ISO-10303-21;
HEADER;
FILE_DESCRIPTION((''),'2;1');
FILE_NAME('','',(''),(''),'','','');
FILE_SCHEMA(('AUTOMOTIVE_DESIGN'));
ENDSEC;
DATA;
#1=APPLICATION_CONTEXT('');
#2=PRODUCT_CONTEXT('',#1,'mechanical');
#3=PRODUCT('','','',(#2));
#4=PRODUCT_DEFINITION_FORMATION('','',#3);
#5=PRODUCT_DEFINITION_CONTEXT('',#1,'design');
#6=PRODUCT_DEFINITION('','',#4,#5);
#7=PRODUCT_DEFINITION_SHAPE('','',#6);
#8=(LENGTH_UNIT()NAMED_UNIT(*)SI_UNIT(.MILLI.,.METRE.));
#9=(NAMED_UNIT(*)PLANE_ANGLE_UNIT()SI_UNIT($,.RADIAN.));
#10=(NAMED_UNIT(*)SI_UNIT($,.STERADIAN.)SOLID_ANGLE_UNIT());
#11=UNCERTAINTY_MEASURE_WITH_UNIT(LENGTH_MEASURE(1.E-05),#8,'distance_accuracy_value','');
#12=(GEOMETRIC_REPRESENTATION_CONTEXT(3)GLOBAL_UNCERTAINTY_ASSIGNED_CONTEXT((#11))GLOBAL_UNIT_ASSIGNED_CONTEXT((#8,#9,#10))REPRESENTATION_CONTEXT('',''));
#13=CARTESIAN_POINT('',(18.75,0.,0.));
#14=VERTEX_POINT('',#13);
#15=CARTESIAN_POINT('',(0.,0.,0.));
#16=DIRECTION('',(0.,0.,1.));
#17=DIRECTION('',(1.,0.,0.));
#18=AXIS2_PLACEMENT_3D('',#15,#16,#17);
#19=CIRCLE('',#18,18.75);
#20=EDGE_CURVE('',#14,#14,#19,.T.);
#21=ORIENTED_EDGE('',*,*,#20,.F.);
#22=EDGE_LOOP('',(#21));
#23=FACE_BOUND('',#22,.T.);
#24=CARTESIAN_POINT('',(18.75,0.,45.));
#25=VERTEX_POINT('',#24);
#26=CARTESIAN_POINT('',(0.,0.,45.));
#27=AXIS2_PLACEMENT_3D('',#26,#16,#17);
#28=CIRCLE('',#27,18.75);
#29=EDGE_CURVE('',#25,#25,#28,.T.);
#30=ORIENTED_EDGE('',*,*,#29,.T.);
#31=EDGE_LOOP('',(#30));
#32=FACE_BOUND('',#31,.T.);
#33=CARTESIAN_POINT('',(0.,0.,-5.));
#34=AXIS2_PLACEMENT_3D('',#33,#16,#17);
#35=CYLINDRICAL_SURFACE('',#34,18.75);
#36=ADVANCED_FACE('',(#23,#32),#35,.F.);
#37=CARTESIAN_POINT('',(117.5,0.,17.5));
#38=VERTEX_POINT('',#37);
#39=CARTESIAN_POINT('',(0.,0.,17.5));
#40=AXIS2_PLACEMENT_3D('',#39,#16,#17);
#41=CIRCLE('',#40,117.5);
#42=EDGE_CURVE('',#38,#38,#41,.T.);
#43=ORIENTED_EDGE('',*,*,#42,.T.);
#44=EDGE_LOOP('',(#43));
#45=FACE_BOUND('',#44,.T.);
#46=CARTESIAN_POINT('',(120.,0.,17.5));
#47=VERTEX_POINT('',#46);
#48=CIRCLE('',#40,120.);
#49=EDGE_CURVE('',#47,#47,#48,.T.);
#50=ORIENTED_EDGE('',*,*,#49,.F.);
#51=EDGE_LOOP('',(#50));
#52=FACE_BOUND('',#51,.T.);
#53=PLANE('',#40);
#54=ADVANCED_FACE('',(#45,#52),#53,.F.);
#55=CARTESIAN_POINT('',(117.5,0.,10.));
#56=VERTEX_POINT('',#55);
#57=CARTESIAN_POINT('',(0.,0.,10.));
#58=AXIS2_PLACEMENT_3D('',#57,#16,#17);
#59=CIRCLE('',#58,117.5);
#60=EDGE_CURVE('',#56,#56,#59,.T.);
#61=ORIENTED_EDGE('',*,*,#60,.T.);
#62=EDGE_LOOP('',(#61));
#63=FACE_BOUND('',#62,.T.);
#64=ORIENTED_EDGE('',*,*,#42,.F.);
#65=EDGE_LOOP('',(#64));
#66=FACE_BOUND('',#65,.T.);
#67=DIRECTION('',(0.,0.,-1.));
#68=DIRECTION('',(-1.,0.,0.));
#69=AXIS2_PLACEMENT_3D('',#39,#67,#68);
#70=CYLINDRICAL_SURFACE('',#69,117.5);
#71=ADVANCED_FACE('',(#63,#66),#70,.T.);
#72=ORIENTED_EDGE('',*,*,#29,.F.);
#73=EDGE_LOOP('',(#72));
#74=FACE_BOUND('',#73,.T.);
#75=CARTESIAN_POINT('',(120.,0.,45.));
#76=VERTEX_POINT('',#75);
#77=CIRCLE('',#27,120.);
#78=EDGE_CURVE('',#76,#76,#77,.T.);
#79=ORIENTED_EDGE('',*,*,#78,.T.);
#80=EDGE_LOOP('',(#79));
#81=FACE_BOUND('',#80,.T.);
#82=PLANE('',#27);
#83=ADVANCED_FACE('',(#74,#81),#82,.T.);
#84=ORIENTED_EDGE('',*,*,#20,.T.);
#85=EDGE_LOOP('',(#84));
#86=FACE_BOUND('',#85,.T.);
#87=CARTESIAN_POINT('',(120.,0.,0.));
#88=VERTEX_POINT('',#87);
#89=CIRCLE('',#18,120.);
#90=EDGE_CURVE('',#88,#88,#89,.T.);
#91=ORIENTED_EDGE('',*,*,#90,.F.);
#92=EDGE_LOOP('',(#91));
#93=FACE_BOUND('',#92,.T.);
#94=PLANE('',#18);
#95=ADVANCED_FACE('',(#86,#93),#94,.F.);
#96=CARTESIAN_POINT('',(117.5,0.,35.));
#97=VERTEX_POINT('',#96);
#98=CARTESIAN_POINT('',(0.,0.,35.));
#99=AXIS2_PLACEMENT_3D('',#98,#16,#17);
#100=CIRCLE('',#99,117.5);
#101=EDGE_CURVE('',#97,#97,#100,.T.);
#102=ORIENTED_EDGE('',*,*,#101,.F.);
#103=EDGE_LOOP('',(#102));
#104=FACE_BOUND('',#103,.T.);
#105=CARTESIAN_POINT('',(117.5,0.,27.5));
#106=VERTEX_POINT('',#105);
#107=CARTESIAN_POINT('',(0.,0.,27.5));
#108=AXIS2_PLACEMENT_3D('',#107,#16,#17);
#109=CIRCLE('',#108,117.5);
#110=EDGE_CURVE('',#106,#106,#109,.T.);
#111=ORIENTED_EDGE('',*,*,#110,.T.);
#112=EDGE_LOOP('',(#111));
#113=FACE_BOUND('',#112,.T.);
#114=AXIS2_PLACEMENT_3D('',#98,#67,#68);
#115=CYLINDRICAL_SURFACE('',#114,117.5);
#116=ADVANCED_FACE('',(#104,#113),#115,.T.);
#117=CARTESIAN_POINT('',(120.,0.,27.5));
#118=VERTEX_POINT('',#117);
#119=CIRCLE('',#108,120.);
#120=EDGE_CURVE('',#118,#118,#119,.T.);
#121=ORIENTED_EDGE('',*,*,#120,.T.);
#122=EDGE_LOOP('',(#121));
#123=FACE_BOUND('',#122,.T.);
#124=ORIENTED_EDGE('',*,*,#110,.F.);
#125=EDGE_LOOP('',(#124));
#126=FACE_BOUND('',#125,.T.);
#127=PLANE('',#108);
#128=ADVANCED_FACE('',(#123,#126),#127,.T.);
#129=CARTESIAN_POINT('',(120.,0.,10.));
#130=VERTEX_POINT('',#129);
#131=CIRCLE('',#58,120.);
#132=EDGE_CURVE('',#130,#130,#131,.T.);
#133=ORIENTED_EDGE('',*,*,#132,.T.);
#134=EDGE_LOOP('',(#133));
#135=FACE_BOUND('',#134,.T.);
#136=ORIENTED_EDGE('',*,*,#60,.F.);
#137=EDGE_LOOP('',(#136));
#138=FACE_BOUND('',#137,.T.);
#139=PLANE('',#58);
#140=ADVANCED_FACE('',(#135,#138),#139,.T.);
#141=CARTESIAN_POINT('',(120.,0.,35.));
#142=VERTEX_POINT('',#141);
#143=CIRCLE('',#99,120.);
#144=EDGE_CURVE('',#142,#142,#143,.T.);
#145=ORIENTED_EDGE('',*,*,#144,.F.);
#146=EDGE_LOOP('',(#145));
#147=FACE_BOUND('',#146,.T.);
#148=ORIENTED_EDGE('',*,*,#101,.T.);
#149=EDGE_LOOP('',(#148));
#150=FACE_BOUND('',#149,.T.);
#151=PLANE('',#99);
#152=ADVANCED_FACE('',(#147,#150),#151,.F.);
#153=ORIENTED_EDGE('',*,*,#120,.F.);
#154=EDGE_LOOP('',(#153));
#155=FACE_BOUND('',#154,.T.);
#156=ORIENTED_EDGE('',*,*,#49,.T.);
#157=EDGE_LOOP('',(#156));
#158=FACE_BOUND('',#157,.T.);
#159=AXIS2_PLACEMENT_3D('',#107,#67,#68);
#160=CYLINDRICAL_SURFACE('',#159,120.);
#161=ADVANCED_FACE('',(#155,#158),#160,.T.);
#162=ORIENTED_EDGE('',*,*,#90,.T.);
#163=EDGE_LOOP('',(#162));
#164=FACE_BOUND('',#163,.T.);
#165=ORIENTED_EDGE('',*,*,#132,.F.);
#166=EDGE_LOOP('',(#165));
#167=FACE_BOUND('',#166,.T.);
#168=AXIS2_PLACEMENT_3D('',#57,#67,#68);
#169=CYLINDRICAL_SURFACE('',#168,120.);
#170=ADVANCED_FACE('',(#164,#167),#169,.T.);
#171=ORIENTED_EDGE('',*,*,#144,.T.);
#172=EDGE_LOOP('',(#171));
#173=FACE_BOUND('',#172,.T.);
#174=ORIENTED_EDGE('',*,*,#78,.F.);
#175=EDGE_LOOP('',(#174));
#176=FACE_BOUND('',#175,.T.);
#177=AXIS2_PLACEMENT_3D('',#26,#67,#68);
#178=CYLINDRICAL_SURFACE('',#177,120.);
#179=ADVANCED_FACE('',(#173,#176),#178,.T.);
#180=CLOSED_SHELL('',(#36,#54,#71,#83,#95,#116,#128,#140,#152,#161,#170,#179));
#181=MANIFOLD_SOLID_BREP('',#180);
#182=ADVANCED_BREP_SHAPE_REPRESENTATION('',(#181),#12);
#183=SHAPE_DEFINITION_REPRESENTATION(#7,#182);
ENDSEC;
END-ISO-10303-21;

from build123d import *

# Parameters (mm, degrees)
SKETCH1_R           = 120
BOSS_EXTRUDE2_DEPTH = 10
SKETCH2_R           = 117.5
BOSS_EXTRUDE3_DEPTH = 7.5
SKETCH3_R           = 120
BOSS_EXTRUDE4_DEPTH = 10
SKETCH4_R           = 117.5
BOSS_EXTRUDE5_DEPTH = 7.5
SKETCH5_R           = 120
BOSS_EXTRUDE6_DEPTH = 10
SKETCH6_R           = 18.75
CUT_EXTRUDE1_DEPTH  = 50


with BuildPart() as part:
    # Sketch1 → Boss-Extrude2 (new body)
    with BuildSketch(Plane.XY):
        Circle(SKETCH1_R)
    extrude(amount=BOSS_EXTRUDE2_DEPTH)

    # Sketch2 → Boss-Extrude3 (add)
    with BuildSketch(Plane.XY.offset(10)):
        Circle(SKETCH2_R)
    extrude(amount=BOSS_EXTRUDE3_DEPTH)

    # Sketch3 → Boss-Extrude4 (add)
    with BuildSketch(Plane.XY.offset(17.5)):
        Circle(SKETCH3_R)
    extrude(amount=BOSS_EXTRUDE4_DEPTH)

    # Sketch4 → Boss-Extrude5 (add)
    with BuildSketch(Plane.XY.offset(27.5)):
        Circle(SKETCH4_R)
    extrude(amount=BOSS_EXTRUDE5_DEPTH)

    # Sketch5 → Boss-Extrude6 (add)
    with BuildSketch(Plane.XY.offset(35)):
        Circle(SKETCH5_R)
    extrude(amount=BOSS_EXTRUDE6_DEPTH)

    # Sketch6 → Cut-Extrude1 (cut)
    with BuildSketch(Plane.XY.offset(45)):
        Circle(SKETCH6_R)
    extrude(amount=-CUT_EXTRUDE1_DEPTH, mode=Mode.SUBTRACT)


solid = part.part
